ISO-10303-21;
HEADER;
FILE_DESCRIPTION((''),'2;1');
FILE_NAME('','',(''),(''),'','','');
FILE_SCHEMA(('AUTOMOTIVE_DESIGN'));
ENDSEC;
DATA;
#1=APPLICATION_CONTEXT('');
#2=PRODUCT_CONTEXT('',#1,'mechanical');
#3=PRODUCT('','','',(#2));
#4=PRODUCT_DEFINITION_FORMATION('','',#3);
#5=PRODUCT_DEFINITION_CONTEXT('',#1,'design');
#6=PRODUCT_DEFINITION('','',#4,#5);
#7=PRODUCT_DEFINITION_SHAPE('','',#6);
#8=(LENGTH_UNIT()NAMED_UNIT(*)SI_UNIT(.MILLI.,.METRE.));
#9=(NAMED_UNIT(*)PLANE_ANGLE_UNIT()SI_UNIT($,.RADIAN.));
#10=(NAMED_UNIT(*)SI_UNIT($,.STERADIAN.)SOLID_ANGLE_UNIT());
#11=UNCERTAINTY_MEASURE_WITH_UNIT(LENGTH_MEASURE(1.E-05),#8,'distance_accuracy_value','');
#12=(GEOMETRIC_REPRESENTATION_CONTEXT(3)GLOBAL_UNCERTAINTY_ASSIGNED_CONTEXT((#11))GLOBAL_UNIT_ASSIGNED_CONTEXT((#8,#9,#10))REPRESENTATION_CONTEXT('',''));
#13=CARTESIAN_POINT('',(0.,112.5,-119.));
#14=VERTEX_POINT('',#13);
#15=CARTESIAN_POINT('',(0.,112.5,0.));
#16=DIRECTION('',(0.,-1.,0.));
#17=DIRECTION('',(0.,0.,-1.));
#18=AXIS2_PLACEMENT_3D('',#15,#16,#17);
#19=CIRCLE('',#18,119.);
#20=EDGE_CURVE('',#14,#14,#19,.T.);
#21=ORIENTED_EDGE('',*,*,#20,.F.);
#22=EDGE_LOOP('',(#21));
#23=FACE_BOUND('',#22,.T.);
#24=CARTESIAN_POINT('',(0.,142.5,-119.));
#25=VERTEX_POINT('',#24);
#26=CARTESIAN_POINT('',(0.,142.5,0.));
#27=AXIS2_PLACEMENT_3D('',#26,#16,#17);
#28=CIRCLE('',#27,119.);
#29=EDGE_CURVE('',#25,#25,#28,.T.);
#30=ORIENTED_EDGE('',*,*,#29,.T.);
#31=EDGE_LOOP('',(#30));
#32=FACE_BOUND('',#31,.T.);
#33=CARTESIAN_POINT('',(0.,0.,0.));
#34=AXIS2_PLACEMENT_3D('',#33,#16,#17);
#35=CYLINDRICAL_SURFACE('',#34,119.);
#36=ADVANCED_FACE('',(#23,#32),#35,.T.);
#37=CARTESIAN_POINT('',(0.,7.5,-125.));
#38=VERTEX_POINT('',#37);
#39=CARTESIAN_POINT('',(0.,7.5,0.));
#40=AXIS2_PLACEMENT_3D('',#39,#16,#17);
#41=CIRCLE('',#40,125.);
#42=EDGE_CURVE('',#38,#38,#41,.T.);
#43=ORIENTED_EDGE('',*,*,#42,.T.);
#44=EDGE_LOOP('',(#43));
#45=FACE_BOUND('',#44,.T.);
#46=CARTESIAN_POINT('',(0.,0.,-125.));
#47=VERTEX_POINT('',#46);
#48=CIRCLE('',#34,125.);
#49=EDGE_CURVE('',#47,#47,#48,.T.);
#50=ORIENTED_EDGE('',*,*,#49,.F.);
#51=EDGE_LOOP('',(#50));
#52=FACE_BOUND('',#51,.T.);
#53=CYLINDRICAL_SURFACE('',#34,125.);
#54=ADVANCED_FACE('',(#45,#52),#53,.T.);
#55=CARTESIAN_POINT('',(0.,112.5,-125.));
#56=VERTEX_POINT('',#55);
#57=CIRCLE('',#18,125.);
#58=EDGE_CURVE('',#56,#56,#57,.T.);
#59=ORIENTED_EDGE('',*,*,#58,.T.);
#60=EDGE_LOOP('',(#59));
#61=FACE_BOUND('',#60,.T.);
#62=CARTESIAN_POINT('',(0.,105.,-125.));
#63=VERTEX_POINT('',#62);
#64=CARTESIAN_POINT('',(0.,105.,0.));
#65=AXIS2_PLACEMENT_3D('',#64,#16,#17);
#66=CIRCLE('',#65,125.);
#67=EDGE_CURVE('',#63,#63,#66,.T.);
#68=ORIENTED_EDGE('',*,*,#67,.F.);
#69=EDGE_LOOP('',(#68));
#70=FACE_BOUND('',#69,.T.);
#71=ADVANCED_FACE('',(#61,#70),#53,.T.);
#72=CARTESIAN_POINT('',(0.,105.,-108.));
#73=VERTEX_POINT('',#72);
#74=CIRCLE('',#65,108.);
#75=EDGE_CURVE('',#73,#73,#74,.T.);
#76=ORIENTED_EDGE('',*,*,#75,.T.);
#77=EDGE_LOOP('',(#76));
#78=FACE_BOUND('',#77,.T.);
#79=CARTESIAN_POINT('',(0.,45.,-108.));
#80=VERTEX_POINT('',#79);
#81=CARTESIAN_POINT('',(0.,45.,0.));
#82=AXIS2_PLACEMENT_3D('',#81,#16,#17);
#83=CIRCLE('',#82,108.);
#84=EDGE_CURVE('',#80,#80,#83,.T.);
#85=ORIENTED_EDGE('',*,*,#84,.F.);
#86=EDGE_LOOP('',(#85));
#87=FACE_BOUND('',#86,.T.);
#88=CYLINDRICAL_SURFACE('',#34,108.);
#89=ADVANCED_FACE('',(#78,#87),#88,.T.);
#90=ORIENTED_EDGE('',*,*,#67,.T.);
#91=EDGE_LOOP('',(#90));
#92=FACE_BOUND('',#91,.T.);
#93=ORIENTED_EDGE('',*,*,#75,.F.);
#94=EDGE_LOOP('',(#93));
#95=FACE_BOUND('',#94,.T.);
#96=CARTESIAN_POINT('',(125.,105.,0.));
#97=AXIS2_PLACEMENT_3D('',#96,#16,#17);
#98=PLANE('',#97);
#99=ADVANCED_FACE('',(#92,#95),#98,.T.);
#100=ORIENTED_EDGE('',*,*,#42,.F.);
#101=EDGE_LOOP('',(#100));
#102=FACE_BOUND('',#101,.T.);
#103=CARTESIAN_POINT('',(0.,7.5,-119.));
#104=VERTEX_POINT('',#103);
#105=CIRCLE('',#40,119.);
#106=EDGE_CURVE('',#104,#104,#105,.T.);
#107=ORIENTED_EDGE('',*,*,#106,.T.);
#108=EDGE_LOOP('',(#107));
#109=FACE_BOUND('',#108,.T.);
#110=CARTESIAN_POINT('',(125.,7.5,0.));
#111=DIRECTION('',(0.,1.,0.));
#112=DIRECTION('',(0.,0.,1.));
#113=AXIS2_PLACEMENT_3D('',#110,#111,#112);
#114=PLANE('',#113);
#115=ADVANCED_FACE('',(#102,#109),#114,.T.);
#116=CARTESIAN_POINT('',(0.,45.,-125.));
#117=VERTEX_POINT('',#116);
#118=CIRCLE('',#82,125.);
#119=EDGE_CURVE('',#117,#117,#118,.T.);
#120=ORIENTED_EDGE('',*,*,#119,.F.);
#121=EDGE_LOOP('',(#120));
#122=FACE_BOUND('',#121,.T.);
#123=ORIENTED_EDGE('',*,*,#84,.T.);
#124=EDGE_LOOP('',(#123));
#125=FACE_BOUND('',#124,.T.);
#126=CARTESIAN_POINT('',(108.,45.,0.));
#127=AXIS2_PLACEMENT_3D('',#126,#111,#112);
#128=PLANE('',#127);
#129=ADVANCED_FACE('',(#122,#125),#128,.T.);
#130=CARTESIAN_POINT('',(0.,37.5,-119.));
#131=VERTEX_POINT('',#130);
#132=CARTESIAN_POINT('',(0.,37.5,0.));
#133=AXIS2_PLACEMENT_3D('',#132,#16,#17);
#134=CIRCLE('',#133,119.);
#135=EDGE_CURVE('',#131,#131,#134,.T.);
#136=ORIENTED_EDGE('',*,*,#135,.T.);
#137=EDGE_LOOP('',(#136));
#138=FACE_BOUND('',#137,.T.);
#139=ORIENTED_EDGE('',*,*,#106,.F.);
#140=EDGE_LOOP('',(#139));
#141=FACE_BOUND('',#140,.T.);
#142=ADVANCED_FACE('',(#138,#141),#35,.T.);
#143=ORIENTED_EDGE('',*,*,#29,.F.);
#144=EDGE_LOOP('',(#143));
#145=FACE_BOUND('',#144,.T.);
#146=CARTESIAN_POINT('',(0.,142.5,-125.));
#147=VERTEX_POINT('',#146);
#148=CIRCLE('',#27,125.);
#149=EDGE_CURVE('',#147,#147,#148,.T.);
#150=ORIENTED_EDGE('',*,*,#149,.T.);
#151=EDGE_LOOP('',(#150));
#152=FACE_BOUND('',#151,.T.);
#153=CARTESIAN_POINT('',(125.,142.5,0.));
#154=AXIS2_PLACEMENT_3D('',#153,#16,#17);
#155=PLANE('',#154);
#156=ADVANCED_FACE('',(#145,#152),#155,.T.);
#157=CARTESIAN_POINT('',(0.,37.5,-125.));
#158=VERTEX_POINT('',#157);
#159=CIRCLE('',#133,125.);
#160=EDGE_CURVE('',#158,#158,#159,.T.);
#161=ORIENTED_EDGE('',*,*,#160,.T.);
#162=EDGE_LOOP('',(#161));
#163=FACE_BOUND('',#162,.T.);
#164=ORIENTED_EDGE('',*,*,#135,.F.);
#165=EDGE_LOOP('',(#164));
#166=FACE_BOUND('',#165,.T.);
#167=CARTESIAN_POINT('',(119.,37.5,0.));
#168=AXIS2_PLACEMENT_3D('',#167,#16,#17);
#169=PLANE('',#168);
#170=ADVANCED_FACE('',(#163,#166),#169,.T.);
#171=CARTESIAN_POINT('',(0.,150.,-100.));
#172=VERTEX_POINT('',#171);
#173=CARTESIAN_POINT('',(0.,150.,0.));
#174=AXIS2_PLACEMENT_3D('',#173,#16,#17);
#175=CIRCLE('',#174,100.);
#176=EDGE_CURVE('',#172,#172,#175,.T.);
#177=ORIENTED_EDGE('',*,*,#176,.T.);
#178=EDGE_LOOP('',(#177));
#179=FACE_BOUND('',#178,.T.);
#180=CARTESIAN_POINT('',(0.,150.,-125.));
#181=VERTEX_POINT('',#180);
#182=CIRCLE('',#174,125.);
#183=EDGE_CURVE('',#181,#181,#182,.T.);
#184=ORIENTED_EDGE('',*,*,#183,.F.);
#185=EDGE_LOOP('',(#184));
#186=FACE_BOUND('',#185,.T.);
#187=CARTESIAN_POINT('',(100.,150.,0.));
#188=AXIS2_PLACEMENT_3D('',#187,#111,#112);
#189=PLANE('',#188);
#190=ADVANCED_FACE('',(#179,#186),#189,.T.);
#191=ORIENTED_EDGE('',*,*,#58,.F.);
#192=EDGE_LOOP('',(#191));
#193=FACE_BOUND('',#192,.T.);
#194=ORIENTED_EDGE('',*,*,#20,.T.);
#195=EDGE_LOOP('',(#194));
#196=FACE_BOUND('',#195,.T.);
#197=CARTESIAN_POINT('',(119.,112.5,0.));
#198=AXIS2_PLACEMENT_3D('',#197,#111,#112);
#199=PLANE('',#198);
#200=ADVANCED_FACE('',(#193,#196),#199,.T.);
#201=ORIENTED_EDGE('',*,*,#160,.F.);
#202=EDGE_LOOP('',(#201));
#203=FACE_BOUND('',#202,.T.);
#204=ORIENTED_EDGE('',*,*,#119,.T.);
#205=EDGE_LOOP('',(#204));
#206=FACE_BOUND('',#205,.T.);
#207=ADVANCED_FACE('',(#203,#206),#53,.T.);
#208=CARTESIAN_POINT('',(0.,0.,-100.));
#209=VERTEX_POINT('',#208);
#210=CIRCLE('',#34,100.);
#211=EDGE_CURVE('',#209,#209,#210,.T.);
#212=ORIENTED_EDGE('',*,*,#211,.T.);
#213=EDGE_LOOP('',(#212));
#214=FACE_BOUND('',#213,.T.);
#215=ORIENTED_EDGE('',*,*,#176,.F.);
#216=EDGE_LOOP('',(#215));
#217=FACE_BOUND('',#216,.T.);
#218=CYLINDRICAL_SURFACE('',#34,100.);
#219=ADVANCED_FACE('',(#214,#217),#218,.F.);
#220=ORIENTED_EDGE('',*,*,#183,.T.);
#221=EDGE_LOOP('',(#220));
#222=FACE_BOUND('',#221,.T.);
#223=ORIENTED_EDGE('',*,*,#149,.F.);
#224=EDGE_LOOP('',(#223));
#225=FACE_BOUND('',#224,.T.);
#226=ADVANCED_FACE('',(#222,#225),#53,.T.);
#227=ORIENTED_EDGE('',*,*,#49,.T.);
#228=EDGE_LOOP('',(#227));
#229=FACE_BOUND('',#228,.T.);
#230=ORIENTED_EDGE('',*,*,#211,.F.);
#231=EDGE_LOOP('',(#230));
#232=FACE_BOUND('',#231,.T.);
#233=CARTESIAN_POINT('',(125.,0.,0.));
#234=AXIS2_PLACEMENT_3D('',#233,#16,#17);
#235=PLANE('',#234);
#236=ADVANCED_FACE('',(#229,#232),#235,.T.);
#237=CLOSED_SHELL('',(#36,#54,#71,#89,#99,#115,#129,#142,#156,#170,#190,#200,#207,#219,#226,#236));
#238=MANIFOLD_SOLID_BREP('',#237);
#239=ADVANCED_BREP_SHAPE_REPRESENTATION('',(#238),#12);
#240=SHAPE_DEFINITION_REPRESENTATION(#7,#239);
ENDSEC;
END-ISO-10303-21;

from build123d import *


with BuildPart() as part:
    # Esboço1 → Revolução1 (revolve)
    with BuildSketch(Plane.XY):
        Polygon((100, 150), (125, 150), (125, 142.5), (119, 142.5), (119, 112.5), (125, 112.5), (125, 105), (108, 105), (108, 45), (125, 45), (125, 37.5), (119, 37.5), (119, 7.5), (125, 7.5), (125, 0), (100, 0), align=None)
    revolve(axis=Axis((0, 0, 0), (0, 1, 0)))


solid = part.part
